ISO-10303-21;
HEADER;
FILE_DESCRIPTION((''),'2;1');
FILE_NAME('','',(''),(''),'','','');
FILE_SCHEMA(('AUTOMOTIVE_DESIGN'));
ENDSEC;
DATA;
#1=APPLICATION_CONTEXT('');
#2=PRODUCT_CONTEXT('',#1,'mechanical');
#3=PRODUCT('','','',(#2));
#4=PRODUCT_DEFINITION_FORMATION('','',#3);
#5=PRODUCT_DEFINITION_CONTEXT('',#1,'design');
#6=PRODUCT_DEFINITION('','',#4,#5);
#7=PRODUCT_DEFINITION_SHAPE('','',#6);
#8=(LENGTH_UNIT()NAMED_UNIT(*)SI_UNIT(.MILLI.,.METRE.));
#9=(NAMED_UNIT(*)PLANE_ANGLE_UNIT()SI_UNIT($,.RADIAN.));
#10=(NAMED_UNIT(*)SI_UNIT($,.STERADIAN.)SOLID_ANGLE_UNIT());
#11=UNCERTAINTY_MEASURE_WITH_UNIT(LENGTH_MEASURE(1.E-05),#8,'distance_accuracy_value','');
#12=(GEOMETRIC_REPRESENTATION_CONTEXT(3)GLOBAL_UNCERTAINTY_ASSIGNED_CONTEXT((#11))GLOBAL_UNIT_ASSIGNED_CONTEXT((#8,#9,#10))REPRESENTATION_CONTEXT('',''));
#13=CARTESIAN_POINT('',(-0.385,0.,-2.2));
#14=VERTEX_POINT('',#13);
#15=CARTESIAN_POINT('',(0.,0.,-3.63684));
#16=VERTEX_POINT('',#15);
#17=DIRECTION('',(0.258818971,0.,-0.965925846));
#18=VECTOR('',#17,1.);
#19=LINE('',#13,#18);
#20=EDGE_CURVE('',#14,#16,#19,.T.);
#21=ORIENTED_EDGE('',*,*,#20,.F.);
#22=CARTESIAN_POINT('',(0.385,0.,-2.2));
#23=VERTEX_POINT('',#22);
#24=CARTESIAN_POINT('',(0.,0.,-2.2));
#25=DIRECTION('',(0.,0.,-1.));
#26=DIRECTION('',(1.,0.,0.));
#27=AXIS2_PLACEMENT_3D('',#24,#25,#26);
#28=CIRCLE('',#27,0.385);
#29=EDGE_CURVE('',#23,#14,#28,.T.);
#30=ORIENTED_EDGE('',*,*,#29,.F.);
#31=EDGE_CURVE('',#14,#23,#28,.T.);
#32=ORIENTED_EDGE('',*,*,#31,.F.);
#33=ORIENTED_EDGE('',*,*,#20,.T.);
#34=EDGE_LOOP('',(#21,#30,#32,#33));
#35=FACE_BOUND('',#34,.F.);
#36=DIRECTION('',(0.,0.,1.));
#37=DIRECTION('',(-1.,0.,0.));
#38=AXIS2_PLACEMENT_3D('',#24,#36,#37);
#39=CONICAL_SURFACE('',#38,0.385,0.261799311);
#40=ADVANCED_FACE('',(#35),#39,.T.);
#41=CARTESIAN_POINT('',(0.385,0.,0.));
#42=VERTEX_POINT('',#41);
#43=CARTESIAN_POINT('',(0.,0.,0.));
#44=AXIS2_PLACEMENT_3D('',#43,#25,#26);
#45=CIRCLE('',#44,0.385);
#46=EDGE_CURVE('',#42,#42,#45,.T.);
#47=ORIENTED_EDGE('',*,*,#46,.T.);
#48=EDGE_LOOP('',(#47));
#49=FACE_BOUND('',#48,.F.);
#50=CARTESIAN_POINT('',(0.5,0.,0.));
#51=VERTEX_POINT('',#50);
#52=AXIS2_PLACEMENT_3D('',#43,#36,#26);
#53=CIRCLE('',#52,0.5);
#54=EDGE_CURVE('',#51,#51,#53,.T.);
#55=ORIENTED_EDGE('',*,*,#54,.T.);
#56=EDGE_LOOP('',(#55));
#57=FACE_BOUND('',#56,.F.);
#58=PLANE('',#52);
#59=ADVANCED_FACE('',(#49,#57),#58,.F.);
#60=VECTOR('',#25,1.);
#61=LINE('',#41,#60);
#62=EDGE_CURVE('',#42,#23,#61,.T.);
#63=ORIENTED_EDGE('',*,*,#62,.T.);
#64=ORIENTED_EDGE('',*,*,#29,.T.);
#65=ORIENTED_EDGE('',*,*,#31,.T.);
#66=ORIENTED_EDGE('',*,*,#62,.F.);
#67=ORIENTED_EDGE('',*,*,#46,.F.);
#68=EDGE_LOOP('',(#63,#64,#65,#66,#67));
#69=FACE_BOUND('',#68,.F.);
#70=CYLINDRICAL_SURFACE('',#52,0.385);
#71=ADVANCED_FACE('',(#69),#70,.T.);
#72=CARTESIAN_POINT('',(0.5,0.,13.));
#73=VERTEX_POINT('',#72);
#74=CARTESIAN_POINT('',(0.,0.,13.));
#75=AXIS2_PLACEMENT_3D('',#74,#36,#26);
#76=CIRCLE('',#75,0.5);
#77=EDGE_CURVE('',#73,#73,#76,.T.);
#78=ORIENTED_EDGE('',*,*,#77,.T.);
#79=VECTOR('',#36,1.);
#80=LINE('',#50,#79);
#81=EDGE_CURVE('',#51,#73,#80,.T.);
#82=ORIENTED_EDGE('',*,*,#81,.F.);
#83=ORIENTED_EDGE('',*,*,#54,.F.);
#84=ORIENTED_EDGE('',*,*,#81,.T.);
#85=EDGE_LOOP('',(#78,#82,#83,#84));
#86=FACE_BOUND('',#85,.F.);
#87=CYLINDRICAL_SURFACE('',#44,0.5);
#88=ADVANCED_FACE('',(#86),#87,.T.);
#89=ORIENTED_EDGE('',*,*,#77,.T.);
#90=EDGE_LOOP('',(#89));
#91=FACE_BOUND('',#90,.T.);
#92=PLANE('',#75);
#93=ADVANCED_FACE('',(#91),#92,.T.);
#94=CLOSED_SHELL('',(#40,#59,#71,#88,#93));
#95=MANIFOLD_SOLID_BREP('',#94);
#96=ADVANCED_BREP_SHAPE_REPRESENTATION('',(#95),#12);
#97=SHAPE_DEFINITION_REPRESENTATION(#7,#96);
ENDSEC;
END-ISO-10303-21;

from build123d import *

# Parameters (mm, degrees)
F0_R     = 0.5
F1_DEPTH = 13
F2_R     = 0.385
F3_DEPTH = 2.2


with BuildPart() as f1:
    # F0 (on Top) → F1 (new body)
    with BuildSketch(Plane.XY):
        Circle(F0_R)
    extrude(amount=F1_DEPTH)

    # F2 (on face) → F3 (join)
    with BuildSketch(Plane(origin=(0, 0, 0), x_dir=(1, 0, 0), z_dir=(0, 0, -1))):
        Circle(F2_R)
    extrude(amount=F3_DEPTH)

    # F4 (on Front) → F5 (revolve)
    with BuildSketch(Plane.XZ):
        Polygon((-0.385, -2.2), (0, -3.63684), (0, -2.2), align=None)
    revolve(axis=Axis((0, 0, -2.91842), (0, 0, 1)))


solid = f1.part
